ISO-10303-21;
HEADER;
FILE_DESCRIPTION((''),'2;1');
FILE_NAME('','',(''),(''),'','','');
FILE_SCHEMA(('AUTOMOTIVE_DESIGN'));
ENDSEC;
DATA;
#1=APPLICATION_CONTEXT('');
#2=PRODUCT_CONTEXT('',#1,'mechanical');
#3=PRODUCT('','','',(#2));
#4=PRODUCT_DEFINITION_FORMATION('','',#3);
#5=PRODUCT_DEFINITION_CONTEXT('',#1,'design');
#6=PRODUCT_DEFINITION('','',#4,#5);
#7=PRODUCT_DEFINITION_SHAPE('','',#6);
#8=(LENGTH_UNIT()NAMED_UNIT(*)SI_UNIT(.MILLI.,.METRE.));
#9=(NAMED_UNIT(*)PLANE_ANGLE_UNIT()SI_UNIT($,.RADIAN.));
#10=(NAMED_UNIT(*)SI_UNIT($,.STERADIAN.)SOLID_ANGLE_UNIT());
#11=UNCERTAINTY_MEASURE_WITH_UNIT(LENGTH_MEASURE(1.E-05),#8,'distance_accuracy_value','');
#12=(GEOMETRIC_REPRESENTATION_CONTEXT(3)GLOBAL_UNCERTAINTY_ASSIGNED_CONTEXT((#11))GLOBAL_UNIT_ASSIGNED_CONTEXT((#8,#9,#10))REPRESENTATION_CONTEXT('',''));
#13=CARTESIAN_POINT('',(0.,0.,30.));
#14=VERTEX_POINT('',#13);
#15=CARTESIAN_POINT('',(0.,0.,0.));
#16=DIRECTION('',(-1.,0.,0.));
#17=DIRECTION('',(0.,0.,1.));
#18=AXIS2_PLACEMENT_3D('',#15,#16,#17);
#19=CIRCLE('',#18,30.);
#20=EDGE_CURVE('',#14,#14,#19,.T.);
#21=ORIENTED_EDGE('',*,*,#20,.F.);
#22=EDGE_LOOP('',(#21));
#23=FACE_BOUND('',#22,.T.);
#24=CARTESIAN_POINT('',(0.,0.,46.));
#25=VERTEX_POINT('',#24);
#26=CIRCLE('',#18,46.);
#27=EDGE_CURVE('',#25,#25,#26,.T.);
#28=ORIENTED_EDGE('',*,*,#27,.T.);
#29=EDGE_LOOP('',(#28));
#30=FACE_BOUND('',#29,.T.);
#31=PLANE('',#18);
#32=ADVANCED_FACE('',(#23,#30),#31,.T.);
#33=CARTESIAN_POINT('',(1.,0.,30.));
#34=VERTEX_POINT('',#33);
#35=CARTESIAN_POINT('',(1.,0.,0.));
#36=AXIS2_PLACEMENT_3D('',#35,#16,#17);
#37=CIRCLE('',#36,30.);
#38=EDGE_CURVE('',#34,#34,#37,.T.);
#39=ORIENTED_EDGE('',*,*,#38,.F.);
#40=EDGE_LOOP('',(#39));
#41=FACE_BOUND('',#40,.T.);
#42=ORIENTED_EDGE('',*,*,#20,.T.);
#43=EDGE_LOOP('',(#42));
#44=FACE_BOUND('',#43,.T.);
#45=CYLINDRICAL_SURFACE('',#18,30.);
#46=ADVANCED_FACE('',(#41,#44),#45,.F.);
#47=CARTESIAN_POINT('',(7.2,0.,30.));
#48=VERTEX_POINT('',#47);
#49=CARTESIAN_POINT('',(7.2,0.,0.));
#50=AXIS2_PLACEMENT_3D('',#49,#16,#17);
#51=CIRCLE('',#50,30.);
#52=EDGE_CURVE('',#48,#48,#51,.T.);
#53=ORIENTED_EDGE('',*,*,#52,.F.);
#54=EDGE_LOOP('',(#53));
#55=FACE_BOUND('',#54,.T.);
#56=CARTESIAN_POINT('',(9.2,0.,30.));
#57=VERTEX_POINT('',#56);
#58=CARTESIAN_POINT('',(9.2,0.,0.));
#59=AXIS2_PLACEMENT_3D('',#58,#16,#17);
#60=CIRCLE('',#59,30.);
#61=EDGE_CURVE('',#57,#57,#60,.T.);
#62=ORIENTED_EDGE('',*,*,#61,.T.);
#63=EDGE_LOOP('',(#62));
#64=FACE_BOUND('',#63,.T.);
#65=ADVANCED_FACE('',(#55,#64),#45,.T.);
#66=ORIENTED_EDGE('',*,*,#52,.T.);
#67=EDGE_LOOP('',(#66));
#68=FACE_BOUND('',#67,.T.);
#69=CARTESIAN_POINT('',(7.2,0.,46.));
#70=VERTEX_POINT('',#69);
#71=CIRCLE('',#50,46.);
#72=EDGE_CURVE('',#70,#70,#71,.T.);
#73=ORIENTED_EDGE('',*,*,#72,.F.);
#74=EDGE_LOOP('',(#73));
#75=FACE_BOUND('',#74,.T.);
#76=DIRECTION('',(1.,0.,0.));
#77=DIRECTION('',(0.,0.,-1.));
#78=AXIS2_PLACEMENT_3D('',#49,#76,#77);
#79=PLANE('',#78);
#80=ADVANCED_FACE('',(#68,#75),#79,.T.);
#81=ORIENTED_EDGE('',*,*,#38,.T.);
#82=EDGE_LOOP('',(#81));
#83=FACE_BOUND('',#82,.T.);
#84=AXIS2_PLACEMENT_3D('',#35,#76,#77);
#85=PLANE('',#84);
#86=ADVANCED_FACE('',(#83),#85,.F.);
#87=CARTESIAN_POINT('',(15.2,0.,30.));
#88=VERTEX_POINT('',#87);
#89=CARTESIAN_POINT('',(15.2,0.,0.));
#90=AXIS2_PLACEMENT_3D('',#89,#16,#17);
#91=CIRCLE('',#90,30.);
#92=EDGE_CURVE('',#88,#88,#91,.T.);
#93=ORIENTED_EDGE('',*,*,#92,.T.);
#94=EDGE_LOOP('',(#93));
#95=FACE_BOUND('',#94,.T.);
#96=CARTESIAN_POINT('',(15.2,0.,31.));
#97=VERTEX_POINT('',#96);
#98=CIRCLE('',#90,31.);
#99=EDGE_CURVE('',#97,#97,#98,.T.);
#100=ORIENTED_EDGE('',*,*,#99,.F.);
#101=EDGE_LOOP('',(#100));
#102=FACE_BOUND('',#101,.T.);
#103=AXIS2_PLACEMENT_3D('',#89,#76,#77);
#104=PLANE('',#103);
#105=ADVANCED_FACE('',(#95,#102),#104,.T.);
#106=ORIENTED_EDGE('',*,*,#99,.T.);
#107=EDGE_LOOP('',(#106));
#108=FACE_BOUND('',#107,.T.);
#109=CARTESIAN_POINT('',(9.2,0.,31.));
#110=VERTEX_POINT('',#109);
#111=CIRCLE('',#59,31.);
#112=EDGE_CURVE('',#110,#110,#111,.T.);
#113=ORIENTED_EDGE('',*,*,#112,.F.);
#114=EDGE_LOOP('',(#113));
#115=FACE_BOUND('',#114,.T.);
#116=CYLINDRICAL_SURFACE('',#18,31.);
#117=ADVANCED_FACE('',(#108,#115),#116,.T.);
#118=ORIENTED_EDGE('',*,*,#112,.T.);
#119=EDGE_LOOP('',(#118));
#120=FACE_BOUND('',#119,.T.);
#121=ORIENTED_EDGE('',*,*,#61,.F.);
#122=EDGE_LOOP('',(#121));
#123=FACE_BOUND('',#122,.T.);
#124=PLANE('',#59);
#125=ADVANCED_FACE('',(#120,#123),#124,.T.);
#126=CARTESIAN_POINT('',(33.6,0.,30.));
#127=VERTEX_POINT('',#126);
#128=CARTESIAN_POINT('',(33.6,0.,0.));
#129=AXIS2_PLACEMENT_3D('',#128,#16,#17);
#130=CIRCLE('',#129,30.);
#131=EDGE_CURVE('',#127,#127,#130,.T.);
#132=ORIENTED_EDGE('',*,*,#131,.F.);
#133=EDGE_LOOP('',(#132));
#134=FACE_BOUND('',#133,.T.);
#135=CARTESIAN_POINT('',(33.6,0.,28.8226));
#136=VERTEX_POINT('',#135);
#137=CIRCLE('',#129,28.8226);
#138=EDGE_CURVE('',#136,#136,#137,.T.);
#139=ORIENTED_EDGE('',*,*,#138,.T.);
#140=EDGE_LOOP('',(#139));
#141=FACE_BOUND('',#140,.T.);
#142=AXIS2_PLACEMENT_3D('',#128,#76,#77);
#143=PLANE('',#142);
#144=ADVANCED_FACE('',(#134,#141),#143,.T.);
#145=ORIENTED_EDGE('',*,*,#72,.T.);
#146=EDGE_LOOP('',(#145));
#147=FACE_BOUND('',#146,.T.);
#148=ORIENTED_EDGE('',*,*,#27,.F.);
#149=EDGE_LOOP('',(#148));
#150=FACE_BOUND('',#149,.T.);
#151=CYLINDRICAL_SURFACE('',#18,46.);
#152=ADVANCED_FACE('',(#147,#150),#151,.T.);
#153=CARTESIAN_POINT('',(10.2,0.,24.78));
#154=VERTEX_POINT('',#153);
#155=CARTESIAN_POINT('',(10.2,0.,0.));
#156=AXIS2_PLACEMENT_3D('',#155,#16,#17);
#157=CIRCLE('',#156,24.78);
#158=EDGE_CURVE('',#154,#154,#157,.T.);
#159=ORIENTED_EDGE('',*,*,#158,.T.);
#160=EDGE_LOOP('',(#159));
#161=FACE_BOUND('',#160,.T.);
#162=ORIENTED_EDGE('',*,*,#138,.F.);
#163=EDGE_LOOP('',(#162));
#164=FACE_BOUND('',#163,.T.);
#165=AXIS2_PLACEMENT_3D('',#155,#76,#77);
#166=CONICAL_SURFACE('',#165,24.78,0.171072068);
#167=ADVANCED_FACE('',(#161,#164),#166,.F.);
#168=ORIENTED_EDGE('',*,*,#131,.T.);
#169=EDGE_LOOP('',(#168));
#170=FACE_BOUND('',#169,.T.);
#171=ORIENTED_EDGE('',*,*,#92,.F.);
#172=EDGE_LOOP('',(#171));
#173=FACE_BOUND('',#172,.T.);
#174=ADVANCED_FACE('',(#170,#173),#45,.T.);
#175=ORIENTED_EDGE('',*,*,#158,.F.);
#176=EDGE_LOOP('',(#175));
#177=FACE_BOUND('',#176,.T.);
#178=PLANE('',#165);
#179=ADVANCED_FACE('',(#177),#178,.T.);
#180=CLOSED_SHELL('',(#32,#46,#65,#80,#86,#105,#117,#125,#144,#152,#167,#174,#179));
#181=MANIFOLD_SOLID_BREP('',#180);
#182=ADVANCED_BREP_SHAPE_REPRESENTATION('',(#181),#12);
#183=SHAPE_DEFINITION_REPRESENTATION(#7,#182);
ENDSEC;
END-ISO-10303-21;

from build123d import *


with BuildPart() as part:
    # 草图1 → 旋转1 (revolve)
    with BuildSketch(Plane.XY, mode=Mode.PRIVATE) as revolve_1_sk:
        Polygon((0, 30), (1, 30), (1, 17), (1, 0), (10.2, 0), (10.2, 17), (10.2, 24.78), (33.6, 28.8226), (33.6, 30), (15.2, 30), (15.2, 31), (9.2, 31), (9.2, 30), (7.2, 30), (7.2, 46), (0, 46), align=None)
    revolve(revolve_1_sk.sketch.rotate(Axis((0, 0, 0), (1, 0, 0)), 90), axis=Axis((0, 0, 0), (1, 0, 0)))


solid = part.part
